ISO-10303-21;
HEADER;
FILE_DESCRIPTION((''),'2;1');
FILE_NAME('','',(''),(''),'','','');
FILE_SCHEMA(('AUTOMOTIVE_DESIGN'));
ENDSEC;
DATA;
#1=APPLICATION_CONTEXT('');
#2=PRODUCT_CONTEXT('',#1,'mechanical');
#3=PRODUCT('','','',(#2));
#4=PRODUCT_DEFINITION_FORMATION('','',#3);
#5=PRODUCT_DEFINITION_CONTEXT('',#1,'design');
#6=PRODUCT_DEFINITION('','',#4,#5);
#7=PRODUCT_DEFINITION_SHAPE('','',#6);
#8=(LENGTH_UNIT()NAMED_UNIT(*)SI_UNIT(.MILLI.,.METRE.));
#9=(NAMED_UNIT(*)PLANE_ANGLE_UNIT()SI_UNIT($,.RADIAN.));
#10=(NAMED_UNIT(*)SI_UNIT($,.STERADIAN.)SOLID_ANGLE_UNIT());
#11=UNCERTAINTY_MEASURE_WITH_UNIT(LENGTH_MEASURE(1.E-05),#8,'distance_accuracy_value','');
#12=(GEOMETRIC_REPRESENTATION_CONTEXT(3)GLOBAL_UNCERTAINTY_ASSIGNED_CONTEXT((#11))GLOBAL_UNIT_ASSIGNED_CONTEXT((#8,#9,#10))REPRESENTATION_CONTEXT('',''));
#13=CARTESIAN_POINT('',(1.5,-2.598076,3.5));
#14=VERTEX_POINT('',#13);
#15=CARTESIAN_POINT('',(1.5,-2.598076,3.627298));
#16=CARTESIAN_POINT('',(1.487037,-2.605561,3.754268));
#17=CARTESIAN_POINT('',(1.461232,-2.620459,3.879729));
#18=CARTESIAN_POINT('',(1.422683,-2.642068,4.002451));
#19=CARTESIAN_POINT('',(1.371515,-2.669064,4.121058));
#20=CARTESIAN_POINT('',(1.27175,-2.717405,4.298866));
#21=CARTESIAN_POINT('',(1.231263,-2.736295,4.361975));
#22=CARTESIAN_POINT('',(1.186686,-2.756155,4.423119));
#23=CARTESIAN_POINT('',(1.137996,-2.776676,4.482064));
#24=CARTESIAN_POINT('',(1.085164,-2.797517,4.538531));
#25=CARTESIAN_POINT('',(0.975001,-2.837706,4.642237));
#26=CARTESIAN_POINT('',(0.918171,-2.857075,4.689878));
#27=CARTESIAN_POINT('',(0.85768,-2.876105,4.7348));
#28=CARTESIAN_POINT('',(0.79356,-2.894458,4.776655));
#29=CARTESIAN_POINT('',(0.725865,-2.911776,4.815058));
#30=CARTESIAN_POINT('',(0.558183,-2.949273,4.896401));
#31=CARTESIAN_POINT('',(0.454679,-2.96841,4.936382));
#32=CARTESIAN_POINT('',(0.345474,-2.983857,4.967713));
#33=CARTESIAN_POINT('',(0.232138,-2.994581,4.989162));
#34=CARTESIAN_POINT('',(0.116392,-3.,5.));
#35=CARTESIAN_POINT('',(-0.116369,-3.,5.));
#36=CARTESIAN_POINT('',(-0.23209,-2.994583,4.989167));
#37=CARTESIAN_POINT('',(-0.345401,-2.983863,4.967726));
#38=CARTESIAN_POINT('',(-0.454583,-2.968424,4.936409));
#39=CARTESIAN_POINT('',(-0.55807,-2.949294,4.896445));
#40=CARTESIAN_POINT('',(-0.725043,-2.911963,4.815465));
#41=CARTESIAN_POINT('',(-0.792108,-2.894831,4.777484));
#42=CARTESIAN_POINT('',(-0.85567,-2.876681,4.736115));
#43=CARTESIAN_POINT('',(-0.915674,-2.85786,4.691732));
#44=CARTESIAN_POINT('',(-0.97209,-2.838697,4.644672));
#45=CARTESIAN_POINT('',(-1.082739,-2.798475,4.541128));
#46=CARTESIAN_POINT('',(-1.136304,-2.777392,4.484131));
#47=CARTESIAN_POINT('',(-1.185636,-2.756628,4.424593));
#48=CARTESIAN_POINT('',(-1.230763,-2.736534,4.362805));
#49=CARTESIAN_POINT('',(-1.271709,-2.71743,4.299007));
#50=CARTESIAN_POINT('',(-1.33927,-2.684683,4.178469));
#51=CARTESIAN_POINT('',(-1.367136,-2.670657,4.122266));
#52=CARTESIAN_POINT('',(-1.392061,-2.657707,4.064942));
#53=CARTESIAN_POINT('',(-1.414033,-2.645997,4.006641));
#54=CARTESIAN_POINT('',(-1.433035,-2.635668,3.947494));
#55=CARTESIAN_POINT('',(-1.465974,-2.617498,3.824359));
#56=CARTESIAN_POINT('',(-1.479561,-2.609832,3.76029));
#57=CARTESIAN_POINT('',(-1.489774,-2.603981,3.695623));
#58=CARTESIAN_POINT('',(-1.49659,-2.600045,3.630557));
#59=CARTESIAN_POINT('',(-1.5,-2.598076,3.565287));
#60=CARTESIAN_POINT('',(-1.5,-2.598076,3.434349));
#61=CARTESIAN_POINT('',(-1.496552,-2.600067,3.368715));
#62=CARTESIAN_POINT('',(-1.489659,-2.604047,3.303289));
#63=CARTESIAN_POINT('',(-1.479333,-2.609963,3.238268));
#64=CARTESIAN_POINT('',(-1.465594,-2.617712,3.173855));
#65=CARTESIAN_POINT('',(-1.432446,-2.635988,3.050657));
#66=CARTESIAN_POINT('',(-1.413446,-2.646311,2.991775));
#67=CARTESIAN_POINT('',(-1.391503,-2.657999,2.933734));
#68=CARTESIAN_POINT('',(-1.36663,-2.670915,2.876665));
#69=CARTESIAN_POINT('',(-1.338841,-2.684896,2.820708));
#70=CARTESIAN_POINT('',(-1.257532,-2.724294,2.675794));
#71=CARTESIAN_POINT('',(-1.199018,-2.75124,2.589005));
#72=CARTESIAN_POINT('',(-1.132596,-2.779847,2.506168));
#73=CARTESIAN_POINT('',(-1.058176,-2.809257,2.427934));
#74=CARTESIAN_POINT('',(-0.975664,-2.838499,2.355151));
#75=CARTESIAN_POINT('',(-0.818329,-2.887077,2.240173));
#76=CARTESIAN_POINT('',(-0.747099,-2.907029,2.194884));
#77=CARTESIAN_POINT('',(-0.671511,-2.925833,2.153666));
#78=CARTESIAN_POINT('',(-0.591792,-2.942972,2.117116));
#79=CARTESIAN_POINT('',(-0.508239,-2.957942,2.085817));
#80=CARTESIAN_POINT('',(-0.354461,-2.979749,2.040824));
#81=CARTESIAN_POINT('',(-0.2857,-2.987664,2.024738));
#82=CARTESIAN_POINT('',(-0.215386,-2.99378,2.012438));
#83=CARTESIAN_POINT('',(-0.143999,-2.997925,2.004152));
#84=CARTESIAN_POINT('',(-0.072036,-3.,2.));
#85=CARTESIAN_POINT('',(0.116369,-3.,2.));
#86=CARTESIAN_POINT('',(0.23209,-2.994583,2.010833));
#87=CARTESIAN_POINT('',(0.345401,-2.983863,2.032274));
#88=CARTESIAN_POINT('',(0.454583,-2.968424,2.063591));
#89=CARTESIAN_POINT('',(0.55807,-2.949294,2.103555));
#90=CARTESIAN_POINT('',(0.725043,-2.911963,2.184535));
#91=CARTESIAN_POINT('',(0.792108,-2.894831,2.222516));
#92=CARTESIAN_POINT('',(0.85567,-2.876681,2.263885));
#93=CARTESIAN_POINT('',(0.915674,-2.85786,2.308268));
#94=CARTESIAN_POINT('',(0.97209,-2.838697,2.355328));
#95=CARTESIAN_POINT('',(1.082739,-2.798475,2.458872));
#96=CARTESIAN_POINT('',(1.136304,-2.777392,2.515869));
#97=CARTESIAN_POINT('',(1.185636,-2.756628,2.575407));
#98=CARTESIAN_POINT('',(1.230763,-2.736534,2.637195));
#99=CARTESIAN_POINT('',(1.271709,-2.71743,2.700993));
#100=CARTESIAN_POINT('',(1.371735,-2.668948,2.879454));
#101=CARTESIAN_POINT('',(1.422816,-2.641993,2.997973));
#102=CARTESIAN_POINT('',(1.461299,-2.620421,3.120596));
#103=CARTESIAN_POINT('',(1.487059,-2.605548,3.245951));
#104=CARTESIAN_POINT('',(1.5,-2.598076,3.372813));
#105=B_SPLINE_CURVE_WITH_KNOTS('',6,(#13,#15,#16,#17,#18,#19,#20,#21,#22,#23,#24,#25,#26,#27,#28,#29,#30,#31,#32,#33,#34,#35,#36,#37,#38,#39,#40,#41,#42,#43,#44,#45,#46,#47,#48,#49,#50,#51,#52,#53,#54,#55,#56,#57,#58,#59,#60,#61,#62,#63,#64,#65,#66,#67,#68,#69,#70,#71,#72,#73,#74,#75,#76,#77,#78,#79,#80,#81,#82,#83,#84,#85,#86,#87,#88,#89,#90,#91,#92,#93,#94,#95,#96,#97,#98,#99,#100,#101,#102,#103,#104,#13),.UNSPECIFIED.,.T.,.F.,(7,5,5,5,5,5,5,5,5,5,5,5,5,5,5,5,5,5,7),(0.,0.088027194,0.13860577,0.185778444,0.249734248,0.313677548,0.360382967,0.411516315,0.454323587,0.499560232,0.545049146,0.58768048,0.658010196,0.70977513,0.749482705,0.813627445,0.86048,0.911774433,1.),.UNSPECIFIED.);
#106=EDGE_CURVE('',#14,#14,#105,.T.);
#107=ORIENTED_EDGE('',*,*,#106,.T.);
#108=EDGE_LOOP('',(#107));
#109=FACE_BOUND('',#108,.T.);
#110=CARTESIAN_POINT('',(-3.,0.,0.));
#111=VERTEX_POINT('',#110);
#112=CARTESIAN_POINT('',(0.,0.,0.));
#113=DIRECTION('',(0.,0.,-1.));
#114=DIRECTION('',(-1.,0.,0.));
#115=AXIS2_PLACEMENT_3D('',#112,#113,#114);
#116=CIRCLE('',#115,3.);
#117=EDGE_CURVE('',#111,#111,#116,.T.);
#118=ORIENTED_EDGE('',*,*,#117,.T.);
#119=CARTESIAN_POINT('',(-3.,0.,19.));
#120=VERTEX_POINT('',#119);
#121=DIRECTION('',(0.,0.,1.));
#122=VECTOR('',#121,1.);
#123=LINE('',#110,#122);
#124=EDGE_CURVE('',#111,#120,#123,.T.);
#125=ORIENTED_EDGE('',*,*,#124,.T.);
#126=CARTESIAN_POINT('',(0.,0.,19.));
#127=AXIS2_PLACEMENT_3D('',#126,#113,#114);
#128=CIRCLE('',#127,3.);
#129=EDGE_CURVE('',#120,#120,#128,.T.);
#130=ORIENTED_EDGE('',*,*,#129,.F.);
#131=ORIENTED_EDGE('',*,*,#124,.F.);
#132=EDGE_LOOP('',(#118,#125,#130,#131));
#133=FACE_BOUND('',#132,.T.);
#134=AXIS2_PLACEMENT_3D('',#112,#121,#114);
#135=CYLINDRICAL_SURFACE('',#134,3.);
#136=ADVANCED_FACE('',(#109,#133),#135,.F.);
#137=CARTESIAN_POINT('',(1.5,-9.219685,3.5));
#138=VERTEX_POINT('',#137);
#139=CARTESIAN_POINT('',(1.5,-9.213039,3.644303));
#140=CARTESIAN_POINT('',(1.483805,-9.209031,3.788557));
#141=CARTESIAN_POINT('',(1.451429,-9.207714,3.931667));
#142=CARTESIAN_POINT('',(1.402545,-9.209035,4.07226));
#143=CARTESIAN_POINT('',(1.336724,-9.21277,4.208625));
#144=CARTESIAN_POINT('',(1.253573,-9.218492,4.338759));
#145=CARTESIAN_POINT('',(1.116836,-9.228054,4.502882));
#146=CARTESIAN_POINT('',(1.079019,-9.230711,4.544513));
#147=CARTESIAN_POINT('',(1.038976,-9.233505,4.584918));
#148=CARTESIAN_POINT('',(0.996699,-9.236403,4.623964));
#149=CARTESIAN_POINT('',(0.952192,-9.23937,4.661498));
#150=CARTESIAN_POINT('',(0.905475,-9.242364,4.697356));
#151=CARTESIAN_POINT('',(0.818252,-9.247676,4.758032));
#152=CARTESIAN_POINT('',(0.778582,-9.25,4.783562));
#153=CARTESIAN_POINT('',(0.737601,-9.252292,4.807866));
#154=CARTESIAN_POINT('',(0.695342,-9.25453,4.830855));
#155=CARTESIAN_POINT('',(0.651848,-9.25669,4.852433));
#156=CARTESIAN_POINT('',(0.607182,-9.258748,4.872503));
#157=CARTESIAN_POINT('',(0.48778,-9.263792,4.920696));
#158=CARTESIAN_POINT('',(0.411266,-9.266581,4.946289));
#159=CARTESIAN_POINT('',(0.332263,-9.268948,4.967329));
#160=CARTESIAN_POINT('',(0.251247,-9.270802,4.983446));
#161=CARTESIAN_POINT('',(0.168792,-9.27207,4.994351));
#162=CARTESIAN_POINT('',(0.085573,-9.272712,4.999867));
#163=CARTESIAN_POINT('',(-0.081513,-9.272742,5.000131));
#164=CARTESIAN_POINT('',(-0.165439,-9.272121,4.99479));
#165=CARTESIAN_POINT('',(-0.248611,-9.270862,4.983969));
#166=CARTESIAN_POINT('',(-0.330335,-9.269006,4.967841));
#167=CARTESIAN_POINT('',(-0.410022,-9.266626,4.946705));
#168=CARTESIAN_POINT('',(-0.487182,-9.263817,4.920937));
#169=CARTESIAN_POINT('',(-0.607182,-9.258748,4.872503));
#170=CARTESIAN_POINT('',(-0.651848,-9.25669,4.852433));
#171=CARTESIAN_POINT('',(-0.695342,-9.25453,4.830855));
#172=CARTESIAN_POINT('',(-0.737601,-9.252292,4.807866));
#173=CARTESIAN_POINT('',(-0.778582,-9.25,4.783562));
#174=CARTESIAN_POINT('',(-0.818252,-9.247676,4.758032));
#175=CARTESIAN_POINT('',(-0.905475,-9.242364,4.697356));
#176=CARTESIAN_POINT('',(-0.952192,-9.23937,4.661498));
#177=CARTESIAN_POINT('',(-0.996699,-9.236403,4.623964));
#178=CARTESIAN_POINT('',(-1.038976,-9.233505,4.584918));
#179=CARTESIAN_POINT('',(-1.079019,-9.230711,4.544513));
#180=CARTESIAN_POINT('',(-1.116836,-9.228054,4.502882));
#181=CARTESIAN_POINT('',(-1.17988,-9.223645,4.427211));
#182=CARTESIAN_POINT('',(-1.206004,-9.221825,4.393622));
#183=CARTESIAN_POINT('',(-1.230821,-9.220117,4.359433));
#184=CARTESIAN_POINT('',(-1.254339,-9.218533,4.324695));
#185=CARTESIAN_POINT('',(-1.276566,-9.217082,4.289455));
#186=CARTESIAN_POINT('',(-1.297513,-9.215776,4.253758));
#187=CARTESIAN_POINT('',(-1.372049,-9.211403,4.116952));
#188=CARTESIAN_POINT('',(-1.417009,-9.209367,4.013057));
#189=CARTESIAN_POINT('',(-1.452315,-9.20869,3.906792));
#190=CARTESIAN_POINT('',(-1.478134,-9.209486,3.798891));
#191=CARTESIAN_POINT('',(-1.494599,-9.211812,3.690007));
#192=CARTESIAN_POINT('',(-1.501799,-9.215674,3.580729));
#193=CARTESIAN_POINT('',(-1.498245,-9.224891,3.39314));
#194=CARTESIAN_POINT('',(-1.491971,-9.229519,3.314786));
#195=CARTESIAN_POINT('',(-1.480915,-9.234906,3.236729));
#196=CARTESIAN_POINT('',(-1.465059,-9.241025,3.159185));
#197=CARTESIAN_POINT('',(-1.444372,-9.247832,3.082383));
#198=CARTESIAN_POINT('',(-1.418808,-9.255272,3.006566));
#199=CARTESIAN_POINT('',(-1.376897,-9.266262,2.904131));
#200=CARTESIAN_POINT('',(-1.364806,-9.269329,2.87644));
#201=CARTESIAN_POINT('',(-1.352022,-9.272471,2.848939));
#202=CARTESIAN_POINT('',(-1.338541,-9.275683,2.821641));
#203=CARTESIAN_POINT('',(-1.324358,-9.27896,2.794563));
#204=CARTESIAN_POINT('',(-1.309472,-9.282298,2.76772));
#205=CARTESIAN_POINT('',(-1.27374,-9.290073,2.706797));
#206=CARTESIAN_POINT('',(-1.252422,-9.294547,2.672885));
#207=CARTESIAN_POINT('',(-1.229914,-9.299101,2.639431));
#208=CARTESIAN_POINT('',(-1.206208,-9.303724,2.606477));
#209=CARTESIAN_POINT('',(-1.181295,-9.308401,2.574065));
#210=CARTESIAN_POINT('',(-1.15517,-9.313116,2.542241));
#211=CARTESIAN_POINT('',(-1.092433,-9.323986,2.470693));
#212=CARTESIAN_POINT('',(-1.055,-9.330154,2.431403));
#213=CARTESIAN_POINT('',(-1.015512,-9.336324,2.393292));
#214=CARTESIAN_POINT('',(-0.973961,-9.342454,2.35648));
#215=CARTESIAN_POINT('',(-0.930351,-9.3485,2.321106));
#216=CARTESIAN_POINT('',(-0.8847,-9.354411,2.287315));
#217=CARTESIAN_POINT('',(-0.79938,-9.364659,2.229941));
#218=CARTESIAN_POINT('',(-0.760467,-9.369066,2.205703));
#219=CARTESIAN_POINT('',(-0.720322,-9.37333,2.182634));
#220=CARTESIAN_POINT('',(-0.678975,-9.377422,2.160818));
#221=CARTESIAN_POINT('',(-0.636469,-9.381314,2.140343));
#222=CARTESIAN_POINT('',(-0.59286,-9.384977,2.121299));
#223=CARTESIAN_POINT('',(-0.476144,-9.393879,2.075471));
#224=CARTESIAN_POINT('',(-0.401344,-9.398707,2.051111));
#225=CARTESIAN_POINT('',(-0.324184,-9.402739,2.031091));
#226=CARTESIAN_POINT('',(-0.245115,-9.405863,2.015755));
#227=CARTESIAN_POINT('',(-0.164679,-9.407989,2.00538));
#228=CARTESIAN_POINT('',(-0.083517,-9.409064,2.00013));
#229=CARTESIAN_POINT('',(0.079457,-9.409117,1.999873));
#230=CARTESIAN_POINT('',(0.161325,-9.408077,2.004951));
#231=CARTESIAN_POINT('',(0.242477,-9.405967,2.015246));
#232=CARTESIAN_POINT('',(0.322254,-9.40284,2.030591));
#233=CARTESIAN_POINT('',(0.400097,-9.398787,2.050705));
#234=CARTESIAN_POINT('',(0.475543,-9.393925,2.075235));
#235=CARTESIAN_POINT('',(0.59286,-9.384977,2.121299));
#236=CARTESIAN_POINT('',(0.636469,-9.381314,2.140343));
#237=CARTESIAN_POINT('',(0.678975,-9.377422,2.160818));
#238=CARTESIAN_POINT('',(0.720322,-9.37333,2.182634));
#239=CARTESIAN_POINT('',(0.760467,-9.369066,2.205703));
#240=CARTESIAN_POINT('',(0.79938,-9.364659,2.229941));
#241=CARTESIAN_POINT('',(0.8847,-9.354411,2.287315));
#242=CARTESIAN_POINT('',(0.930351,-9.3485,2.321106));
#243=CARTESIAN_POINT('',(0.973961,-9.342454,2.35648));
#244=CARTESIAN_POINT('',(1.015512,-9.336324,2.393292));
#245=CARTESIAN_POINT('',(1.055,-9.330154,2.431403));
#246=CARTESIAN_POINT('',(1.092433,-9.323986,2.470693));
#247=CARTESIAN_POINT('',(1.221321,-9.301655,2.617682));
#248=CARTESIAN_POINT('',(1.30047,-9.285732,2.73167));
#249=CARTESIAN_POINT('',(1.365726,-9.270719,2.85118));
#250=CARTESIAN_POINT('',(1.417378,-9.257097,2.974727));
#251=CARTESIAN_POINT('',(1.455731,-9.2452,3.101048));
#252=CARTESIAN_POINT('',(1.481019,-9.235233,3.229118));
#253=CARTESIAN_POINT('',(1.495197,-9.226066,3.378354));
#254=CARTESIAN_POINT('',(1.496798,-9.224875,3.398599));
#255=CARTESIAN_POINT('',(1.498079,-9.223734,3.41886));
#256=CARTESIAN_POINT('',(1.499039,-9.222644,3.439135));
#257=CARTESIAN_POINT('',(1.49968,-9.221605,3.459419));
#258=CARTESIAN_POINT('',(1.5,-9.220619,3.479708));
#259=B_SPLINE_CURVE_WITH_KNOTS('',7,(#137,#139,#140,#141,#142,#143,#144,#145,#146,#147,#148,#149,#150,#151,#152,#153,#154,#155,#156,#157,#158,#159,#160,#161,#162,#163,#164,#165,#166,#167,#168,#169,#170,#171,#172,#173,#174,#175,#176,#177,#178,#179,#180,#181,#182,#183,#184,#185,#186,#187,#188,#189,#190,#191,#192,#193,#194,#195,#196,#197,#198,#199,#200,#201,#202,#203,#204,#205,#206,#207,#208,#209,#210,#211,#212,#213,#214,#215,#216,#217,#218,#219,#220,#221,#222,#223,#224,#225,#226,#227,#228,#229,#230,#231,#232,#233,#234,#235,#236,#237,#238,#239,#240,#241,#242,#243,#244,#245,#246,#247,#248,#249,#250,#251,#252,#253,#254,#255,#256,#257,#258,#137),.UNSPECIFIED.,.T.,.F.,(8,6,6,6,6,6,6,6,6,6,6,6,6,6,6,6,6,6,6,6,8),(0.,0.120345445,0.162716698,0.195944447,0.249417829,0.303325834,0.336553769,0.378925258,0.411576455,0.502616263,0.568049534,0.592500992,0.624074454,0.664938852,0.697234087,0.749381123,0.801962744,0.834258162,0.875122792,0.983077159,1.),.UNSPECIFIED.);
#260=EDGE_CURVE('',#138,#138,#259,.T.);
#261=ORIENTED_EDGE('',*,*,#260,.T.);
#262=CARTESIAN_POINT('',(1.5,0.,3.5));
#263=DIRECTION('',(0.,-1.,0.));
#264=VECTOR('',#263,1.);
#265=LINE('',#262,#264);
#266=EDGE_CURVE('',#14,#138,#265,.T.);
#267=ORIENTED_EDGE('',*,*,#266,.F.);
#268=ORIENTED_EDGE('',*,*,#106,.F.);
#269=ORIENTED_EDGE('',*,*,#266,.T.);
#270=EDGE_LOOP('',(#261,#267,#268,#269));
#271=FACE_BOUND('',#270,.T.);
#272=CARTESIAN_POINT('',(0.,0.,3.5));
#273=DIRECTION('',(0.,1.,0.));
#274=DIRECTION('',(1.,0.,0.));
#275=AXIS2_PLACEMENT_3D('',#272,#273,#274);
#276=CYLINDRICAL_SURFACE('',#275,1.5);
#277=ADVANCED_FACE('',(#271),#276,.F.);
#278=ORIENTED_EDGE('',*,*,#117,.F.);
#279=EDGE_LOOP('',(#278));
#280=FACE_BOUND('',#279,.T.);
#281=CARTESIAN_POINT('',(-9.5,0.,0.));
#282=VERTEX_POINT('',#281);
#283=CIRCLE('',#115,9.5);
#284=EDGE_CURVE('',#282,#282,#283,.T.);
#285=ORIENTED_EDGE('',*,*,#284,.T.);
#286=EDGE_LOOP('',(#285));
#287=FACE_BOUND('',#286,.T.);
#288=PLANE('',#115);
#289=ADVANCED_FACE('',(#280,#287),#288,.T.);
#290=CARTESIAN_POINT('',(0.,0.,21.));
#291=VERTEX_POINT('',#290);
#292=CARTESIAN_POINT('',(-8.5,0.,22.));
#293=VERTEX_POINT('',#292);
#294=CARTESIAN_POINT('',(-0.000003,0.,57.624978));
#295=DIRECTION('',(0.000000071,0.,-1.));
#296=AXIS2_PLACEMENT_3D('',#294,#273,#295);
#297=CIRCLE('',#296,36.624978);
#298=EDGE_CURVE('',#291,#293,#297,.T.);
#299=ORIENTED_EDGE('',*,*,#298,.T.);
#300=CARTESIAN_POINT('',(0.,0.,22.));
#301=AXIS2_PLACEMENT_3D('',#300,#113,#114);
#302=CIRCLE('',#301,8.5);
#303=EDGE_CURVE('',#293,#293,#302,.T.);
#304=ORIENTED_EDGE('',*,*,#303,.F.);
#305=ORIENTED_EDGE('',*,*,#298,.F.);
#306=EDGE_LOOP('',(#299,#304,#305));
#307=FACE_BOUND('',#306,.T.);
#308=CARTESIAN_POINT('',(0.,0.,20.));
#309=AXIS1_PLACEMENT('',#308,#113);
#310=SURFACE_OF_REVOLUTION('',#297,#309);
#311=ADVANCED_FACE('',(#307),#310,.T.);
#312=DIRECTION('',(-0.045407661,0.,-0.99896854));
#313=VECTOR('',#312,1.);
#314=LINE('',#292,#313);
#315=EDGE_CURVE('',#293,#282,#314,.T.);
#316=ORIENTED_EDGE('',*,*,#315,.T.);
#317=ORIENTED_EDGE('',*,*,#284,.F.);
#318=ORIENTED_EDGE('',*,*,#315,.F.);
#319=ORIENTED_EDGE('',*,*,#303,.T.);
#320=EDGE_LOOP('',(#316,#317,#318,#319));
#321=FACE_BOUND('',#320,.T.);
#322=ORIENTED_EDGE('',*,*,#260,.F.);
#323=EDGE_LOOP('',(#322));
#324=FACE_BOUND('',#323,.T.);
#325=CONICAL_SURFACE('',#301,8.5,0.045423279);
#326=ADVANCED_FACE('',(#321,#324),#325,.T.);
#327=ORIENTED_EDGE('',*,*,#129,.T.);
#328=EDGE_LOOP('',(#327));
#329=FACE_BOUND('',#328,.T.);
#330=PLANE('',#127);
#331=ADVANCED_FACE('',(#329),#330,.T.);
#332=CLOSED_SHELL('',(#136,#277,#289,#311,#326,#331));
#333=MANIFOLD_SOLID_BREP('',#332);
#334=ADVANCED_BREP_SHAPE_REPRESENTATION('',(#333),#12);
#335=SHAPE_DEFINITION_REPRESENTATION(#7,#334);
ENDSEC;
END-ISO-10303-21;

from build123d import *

# Parameters (mm, degrees)
F2_R     = 1.5
F3_DEPTH = 9.501


with BuildPart() as f1:
    # F0 (on Front) → F1 (revolve)
    with BuildSketch(Plane.XZ):
        with BuildLine():
            Line((-9.5, 0), (-3, 0))
            Line((-3, 0), (-3, 19))
            Line((-3, 19), (0, 19))
            Line((0, 19), (0, 21))
            ThreePointArc((0, 21), (-4.279311, 21.250859), (-8.5, 22))
            Line((-8.5, 22), (-9.5, 0))
        make_face()
    revolve(axis=Axis((0, 0, 20), (0, 0, -1)))

    # F2 (on Front) → F3 (cut, through all)
    with BuildSketch(Plane.XZ):
        with Locations((0, 3.5)):
            Circle(F2_R)
    extrude(amount=F3_DEPTH, mode=Mode.SUBTRACT)


solid = f1.part
